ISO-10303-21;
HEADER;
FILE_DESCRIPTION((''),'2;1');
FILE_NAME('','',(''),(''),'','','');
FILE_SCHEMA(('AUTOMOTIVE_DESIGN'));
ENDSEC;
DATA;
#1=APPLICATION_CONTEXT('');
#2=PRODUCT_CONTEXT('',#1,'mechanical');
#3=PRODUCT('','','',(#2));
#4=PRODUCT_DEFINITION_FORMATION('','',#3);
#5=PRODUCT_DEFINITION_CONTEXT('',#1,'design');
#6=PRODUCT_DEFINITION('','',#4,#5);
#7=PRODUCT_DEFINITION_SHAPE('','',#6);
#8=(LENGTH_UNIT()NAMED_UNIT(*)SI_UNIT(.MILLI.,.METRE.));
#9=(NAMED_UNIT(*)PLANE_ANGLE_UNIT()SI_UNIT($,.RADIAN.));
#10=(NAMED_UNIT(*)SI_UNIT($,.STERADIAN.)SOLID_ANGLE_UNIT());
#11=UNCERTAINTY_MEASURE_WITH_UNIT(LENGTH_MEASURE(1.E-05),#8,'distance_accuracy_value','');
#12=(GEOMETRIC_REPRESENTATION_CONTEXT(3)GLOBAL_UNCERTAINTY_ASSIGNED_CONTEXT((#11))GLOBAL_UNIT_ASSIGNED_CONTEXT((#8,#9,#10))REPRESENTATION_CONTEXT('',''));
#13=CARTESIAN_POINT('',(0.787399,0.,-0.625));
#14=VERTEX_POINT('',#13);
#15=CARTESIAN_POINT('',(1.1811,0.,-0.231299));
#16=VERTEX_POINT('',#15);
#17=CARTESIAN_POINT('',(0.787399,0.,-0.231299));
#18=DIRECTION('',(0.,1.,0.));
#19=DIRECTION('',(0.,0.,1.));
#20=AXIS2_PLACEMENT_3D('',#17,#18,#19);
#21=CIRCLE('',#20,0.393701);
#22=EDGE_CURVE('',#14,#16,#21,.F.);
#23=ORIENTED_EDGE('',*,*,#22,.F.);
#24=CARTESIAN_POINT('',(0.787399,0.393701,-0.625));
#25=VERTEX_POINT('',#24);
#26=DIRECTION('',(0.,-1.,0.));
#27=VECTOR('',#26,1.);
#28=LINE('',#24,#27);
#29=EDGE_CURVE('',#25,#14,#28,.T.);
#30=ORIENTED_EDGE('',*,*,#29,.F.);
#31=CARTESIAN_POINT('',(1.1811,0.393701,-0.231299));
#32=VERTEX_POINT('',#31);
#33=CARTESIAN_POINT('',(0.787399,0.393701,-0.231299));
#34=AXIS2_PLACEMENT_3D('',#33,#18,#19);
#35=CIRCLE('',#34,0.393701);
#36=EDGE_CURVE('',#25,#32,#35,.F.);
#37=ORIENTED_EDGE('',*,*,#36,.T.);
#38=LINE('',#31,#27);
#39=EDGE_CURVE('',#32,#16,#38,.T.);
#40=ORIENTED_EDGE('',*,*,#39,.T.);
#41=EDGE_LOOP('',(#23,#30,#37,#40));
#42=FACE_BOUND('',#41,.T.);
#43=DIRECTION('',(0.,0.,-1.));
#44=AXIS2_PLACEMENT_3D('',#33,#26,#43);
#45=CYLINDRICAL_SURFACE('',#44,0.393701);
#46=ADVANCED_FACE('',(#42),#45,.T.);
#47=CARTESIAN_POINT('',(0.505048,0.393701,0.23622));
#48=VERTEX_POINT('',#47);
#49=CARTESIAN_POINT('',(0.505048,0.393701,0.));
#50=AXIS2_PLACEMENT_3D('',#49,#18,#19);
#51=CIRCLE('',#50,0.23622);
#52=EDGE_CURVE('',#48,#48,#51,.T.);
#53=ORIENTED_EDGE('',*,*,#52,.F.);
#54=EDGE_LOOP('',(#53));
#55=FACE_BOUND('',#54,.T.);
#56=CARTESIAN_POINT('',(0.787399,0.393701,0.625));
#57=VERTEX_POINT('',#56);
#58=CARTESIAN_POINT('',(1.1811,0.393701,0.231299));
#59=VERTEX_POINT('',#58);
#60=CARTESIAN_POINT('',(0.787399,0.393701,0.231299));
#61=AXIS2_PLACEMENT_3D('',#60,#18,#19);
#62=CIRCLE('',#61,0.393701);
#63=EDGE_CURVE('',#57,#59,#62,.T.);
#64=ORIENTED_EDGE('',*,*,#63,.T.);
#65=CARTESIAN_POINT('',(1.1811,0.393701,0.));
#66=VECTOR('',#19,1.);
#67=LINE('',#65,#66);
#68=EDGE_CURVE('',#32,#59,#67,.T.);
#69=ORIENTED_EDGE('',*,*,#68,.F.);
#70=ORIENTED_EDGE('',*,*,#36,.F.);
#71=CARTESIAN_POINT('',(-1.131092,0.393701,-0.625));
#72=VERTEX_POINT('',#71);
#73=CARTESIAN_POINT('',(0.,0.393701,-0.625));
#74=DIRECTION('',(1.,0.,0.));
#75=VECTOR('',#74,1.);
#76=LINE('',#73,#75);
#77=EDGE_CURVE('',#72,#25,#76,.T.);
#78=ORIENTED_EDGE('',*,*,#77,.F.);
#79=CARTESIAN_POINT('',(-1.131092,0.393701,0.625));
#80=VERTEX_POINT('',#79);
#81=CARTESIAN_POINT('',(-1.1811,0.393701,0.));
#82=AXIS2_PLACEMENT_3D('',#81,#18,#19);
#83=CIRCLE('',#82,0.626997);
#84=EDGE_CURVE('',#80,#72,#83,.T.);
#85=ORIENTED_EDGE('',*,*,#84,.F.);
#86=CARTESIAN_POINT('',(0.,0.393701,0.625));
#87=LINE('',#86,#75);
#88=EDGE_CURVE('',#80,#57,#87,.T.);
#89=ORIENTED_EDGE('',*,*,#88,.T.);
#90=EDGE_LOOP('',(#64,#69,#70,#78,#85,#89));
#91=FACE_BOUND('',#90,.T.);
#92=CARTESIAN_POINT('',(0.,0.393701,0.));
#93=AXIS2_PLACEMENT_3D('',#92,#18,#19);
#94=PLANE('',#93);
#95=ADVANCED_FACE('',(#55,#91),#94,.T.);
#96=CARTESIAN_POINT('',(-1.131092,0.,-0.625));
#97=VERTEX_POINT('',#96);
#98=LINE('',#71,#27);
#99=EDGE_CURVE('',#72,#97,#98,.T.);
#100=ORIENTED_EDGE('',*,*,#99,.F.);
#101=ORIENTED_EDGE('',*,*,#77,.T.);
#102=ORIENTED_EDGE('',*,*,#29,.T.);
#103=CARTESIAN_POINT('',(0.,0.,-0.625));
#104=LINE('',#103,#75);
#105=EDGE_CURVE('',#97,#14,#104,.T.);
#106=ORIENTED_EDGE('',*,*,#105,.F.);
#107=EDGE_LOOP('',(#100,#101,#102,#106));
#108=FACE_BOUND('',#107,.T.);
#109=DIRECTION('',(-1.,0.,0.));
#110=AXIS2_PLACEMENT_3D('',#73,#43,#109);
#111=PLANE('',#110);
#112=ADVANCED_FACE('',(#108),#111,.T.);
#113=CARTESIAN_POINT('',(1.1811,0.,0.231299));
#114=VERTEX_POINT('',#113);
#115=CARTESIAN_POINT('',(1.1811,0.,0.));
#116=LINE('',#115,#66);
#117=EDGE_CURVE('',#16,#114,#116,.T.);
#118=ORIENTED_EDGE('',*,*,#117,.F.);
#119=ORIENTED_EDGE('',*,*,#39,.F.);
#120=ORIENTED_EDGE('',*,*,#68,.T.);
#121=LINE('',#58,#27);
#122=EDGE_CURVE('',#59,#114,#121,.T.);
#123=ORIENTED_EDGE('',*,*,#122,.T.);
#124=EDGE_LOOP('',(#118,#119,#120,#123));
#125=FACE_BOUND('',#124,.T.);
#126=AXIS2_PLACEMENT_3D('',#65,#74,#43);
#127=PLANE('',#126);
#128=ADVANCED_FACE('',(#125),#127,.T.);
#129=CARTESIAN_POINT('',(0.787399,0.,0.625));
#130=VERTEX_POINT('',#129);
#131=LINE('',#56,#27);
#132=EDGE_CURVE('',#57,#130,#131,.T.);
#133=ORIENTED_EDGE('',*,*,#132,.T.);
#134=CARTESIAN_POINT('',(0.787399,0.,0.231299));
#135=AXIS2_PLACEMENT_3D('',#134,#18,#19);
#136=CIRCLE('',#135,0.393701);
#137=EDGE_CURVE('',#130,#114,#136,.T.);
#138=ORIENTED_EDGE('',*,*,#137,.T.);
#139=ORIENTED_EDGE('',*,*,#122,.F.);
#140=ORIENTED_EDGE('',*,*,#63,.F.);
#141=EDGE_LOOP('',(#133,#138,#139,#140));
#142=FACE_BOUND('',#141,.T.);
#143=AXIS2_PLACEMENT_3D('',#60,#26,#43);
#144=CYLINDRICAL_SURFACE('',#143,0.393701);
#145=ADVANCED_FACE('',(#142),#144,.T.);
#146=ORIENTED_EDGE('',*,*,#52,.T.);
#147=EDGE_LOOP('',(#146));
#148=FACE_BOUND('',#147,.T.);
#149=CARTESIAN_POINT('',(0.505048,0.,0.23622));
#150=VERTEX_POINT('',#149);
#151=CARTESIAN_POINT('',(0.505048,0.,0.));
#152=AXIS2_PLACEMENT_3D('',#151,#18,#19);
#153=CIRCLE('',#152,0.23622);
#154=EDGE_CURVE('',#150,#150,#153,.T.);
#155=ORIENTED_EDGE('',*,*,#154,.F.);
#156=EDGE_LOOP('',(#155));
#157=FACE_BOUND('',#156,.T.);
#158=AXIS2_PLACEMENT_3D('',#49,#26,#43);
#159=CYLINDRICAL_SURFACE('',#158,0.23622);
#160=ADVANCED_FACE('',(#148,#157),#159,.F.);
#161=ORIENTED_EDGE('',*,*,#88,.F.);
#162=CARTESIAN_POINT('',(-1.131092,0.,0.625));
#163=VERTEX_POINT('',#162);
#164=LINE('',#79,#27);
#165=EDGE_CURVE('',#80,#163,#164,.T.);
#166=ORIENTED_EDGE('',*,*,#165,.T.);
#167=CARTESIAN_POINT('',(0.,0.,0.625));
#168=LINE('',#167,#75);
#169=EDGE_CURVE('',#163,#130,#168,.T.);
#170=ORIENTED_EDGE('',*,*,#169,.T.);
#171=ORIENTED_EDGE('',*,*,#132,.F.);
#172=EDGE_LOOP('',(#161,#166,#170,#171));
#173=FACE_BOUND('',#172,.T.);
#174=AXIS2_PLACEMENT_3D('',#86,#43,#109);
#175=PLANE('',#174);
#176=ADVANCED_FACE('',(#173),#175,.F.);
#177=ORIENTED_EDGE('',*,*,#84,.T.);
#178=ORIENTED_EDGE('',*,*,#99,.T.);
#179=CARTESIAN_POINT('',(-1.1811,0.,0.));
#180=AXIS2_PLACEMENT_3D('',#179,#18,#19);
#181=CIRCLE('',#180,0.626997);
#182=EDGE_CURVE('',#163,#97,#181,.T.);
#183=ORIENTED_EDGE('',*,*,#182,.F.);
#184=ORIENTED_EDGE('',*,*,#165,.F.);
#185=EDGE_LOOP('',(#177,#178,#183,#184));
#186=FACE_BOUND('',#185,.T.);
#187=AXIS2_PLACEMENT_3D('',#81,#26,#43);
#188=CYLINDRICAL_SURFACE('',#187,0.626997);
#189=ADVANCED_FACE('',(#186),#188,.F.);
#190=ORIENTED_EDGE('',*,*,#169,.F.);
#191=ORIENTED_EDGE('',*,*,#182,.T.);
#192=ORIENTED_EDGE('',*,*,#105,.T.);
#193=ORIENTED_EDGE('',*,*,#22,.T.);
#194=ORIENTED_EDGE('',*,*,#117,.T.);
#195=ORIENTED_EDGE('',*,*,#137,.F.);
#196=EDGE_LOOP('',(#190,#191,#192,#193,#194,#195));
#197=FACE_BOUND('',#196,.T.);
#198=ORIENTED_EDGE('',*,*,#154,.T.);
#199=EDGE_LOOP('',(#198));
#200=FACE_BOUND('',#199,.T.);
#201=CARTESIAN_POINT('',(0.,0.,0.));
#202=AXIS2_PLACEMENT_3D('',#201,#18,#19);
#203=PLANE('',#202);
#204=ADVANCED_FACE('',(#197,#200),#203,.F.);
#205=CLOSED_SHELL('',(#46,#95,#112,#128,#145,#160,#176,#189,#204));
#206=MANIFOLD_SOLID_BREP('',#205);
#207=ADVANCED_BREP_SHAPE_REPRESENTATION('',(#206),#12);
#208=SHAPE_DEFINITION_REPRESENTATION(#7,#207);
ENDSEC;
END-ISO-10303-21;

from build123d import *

# Parameters (mm, degrees)
SKETCH1_R           = 0.2362205
BOSS_EXTRUDE1_DEPTH = 0.393701


with BuildPart() as part:
    # Sketch1 → Boss-Extrude1 (new body)
    with BuildSketch(Plane(origin=(0, 0, 0), x_dir=(1, 0, 0), z_dir=(0, 1, 0))):
        with BuildLine():
            Line((0.787399, 0.625), (-1.131091774, 0.625))
            ThreePointArc((-1.131091774, 0.625), (-0.72040441, 0.425306238), (-0.554102534, 0))
            ThreePointArc((-0.554102534, 0), (-0.72040441, -0.425306238), (-1.131091774, -0.625))
            Line((-1.131091774, -0.625), (0.787399, -0.625))
            ThreePointArc((0.787399, -0.625), (1.065787647, -0.509687647), (1.1811, -0.231299))
            Line((1.1811, -0.231299), (1.1811, 0.231299))
            ThreePointArc((1.1811, 0.231299), (1.065787647, 0.509687647), (0.787399, 0.625))
        make_face()
        with Locations(Location((0.505047652, 0, 0), (0, 0, 270))):
            Circle(SKETCH1_R, mode=Mode.SUBTRACT)
    extrude(amount=BOSS_EXTRUDE1_DEPTH)


solid = part.part
